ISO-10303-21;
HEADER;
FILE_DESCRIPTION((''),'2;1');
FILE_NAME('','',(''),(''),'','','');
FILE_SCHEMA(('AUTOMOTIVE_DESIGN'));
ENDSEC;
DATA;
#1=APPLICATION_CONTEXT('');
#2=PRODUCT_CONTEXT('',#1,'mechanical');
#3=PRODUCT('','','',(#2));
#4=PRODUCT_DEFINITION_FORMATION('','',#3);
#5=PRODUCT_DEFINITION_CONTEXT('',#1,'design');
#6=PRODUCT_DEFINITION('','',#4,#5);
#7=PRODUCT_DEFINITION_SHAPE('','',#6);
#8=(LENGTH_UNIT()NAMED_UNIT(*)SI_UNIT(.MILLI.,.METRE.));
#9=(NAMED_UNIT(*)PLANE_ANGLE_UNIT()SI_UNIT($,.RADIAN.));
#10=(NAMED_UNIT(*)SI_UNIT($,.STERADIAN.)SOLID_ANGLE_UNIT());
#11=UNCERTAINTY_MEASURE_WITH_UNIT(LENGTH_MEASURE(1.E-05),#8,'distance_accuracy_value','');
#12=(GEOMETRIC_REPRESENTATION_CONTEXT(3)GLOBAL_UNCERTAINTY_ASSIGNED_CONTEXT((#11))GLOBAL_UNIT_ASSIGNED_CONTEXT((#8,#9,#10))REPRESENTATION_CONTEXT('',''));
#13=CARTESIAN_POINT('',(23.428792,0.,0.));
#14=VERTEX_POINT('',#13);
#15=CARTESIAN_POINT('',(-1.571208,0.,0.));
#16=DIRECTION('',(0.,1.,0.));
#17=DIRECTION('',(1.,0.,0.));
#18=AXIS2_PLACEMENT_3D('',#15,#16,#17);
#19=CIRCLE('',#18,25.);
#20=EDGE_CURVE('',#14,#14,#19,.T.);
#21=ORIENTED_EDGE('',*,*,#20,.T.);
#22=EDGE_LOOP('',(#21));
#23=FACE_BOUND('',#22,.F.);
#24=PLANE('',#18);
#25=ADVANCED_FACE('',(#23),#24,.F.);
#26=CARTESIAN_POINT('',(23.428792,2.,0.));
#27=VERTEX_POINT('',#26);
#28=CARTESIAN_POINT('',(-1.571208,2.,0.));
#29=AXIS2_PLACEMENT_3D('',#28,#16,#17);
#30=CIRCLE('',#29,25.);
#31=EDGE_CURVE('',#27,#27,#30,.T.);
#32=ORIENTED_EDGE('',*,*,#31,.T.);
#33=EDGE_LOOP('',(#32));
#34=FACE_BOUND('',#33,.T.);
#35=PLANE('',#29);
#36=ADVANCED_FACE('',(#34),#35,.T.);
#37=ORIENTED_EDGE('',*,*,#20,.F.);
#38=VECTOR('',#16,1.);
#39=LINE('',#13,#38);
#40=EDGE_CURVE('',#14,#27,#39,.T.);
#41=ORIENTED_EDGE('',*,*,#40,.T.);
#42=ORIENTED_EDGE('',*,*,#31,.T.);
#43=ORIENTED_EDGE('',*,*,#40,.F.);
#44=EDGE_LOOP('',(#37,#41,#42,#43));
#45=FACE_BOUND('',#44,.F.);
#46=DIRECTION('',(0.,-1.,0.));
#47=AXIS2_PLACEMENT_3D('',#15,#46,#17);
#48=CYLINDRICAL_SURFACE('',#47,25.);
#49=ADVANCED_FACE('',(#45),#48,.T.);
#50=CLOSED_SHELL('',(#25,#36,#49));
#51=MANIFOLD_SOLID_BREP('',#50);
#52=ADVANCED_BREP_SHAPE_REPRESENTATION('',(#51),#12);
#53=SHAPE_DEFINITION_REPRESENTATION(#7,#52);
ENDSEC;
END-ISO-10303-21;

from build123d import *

# Parameters (mm, degrees)
SKETCH_1_R      = 25
EXTRUDE_1_DEPTH = 2


with BuildPart() as part:
    # 草圖1 → 填料-伸長1 (new body)
    with BuildSketch(Plane(origin=(0, 0, 0), x_dir=(1, 0, 0), z_dir=(0, 1, 0))):
        with Locations((-1.57120846, 0)):
            Circle(SKETCH_1_R)
    extrude(amount=EXTRUDE_1_DEPTH)


solid = part.part
